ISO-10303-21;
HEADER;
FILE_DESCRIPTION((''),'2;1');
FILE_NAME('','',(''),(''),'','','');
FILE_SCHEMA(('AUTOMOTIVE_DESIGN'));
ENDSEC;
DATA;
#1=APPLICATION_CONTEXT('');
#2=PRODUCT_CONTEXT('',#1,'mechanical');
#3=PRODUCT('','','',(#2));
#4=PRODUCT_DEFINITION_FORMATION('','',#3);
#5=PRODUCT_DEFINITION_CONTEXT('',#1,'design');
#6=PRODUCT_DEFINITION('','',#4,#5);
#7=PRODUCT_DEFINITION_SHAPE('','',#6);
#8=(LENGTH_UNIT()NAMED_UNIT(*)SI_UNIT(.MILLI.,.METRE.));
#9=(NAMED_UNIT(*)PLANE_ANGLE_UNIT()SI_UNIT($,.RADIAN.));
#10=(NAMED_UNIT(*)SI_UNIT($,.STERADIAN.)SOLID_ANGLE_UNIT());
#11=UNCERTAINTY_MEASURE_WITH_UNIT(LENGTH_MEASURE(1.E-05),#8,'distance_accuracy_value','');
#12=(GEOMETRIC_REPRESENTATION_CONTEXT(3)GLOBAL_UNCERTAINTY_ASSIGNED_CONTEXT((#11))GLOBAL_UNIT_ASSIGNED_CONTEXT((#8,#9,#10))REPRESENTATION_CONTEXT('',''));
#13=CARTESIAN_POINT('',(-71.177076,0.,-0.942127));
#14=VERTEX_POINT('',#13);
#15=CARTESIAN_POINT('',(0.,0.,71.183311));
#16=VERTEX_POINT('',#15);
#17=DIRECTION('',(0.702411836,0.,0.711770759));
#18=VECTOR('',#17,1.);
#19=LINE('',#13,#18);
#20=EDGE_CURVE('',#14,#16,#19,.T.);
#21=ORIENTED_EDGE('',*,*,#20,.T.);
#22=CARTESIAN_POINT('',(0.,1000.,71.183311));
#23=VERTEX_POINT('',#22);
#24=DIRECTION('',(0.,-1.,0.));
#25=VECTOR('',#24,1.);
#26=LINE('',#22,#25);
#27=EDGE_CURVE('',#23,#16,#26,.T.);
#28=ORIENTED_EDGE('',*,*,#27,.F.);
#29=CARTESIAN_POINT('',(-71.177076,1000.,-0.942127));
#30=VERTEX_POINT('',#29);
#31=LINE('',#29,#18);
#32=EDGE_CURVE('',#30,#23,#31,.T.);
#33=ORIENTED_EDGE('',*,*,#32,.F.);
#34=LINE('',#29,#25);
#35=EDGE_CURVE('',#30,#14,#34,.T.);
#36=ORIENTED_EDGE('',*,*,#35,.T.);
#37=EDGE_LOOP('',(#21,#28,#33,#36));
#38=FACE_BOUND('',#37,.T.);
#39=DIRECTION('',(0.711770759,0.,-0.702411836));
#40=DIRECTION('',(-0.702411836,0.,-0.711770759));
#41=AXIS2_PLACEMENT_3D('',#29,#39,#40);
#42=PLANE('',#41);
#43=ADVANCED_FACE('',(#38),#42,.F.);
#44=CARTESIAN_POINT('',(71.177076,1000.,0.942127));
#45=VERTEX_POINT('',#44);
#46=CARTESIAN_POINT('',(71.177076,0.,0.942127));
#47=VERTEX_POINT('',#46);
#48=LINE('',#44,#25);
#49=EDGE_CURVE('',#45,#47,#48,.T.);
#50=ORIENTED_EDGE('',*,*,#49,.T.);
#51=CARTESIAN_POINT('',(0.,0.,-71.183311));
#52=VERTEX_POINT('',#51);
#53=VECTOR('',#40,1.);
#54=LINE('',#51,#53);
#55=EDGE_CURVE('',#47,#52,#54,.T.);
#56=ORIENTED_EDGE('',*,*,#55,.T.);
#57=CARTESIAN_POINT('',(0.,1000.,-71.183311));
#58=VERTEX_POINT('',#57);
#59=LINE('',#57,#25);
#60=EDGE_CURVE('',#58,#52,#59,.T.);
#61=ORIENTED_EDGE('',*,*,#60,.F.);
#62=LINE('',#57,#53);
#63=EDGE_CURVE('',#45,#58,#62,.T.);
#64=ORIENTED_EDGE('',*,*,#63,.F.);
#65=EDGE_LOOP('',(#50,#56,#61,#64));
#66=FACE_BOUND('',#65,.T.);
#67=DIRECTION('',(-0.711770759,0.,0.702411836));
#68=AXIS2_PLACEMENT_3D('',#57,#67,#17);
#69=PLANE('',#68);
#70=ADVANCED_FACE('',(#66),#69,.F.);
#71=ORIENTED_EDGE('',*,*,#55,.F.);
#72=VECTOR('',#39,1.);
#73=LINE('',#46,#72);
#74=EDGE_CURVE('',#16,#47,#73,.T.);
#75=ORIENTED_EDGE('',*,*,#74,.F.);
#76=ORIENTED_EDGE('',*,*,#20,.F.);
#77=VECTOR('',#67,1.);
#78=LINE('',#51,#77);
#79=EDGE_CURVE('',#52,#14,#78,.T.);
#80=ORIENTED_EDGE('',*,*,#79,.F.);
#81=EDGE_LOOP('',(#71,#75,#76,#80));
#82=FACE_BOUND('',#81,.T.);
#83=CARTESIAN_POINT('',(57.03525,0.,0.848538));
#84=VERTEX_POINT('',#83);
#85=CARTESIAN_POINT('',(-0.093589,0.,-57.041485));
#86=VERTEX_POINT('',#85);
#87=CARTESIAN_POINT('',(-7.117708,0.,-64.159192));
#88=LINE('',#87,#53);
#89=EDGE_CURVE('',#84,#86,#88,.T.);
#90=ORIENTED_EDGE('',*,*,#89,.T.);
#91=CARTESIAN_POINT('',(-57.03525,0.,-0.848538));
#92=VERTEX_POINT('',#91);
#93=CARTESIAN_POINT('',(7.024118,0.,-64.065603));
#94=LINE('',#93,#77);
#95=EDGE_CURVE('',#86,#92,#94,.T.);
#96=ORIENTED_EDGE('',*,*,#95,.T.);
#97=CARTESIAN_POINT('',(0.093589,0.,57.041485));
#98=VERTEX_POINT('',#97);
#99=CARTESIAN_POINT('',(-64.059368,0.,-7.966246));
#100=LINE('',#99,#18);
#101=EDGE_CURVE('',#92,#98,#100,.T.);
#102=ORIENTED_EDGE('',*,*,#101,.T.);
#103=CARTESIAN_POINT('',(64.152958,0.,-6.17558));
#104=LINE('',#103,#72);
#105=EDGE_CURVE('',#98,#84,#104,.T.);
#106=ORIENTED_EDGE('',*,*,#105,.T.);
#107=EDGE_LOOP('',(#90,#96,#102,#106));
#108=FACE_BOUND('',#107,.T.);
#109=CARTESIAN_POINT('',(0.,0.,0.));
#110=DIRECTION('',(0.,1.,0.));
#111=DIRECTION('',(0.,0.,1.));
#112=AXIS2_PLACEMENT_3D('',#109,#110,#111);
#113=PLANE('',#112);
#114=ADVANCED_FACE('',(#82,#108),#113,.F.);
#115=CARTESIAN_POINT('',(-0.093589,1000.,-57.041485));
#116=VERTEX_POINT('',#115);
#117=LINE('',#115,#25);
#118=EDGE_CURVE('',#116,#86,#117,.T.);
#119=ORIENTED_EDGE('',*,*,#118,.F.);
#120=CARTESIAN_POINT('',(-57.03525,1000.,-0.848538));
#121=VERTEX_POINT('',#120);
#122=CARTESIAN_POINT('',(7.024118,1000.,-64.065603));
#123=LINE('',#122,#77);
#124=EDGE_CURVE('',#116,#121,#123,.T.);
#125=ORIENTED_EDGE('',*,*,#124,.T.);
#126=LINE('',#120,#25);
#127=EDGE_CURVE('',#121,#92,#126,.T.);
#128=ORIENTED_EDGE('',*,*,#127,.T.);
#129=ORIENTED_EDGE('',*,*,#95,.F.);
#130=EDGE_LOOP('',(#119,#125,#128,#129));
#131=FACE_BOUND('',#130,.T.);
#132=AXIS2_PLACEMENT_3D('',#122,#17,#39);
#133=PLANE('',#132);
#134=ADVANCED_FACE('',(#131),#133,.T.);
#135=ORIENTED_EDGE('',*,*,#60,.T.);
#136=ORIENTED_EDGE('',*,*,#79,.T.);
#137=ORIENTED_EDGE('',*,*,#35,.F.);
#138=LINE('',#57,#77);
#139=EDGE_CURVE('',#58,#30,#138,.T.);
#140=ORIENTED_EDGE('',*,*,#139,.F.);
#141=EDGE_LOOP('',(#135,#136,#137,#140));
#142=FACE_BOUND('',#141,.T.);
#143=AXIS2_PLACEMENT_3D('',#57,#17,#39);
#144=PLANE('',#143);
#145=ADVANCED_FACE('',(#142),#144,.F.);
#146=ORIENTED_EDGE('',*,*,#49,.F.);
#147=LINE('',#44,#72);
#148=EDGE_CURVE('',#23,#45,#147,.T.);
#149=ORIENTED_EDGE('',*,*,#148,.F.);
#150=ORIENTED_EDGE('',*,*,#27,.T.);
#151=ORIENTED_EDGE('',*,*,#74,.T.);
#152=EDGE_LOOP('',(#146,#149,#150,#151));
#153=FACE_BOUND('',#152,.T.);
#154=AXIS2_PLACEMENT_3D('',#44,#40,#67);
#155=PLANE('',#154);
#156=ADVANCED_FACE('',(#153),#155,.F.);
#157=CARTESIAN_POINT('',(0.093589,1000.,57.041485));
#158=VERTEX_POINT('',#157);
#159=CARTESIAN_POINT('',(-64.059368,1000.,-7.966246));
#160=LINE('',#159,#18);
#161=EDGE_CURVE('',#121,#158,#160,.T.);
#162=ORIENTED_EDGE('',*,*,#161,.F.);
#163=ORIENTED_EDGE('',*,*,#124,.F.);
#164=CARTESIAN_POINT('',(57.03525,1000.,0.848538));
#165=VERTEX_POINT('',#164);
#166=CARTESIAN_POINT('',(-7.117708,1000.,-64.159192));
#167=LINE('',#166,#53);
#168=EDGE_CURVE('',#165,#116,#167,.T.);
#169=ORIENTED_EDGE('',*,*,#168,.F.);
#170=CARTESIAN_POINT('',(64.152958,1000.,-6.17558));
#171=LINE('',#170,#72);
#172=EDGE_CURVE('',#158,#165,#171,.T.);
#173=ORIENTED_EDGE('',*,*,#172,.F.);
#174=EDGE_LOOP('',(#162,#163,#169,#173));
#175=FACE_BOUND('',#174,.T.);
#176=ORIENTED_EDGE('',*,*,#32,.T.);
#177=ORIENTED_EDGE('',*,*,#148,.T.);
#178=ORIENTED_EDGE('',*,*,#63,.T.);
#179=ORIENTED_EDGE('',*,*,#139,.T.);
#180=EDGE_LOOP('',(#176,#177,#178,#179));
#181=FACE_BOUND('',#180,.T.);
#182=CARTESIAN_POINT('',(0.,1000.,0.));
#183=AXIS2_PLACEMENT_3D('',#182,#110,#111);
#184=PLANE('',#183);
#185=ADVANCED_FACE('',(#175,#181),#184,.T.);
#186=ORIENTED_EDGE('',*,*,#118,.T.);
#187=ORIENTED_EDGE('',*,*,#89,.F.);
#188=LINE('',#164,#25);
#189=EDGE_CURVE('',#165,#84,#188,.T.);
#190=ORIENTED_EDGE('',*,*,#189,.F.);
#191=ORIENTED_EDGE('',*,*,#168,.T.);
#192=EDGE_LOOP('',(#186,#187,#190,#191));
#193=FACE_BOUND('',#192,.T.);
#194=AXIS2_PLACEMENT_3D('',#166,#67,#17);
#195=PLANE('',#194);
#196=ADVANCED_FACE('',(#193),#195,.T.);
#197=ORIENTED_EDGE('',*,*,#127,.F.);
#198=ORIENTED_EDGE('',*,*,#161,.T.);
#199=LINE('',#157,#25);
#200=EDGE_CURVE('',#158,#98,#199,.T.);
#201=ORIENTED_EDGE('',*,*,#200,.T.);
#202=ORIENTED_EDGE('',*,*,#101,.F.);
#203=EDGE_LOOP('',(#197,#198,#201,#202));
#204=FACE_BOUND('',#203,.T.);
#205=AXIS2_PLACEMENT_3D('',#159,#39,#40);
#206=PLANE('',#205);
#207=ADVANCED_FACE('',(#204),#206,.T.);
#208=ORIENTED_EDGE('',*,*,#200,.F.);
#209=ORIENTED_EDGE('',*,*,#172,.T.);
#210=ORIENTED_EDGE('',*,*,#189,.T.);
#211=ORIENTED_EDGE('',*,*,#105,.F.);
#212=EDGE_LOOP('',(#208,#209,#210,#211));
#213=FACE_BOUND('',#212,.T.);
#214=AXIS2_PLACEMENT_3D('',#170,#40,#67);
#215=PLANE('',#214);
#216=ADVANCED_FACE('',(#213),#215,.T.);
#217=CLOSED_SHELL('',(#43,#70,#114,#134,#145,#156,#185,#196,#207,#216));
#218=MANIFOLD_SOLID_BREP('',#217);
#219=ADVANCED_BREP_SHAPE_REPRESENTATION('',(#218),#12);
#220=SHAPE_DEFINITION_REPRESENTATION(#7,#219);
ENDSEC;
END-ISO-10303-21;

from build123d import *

# Parameters (mm, degrees)
EXTRUDE_THIN1_DEPTH = 1000


with BuildPart() as part:
    # Sketch1 → Extrude-Thin1 (new body)
    with BuildSketch(Plane(origin=(0, 0, 0), x_dir=(1, 0, 0), z_dir=(0, 1, 0))):
        Polygon((-71.177075898, 0.942127254), (0, 71.183310805), (71.177075898, -0.942127254), (0, -71.183310805), align=None)
        Polygon((-57.035249953, 0.84853802), (-0.093589235, 57.04148486), (57.035249953, -0.84853802), (0.093589235, -57.04148486), align=None, mode=Mode.SUBTRACT)
    extrude(amount=EXTRUDE_THIN1_DEPTH)


solid = part.part
